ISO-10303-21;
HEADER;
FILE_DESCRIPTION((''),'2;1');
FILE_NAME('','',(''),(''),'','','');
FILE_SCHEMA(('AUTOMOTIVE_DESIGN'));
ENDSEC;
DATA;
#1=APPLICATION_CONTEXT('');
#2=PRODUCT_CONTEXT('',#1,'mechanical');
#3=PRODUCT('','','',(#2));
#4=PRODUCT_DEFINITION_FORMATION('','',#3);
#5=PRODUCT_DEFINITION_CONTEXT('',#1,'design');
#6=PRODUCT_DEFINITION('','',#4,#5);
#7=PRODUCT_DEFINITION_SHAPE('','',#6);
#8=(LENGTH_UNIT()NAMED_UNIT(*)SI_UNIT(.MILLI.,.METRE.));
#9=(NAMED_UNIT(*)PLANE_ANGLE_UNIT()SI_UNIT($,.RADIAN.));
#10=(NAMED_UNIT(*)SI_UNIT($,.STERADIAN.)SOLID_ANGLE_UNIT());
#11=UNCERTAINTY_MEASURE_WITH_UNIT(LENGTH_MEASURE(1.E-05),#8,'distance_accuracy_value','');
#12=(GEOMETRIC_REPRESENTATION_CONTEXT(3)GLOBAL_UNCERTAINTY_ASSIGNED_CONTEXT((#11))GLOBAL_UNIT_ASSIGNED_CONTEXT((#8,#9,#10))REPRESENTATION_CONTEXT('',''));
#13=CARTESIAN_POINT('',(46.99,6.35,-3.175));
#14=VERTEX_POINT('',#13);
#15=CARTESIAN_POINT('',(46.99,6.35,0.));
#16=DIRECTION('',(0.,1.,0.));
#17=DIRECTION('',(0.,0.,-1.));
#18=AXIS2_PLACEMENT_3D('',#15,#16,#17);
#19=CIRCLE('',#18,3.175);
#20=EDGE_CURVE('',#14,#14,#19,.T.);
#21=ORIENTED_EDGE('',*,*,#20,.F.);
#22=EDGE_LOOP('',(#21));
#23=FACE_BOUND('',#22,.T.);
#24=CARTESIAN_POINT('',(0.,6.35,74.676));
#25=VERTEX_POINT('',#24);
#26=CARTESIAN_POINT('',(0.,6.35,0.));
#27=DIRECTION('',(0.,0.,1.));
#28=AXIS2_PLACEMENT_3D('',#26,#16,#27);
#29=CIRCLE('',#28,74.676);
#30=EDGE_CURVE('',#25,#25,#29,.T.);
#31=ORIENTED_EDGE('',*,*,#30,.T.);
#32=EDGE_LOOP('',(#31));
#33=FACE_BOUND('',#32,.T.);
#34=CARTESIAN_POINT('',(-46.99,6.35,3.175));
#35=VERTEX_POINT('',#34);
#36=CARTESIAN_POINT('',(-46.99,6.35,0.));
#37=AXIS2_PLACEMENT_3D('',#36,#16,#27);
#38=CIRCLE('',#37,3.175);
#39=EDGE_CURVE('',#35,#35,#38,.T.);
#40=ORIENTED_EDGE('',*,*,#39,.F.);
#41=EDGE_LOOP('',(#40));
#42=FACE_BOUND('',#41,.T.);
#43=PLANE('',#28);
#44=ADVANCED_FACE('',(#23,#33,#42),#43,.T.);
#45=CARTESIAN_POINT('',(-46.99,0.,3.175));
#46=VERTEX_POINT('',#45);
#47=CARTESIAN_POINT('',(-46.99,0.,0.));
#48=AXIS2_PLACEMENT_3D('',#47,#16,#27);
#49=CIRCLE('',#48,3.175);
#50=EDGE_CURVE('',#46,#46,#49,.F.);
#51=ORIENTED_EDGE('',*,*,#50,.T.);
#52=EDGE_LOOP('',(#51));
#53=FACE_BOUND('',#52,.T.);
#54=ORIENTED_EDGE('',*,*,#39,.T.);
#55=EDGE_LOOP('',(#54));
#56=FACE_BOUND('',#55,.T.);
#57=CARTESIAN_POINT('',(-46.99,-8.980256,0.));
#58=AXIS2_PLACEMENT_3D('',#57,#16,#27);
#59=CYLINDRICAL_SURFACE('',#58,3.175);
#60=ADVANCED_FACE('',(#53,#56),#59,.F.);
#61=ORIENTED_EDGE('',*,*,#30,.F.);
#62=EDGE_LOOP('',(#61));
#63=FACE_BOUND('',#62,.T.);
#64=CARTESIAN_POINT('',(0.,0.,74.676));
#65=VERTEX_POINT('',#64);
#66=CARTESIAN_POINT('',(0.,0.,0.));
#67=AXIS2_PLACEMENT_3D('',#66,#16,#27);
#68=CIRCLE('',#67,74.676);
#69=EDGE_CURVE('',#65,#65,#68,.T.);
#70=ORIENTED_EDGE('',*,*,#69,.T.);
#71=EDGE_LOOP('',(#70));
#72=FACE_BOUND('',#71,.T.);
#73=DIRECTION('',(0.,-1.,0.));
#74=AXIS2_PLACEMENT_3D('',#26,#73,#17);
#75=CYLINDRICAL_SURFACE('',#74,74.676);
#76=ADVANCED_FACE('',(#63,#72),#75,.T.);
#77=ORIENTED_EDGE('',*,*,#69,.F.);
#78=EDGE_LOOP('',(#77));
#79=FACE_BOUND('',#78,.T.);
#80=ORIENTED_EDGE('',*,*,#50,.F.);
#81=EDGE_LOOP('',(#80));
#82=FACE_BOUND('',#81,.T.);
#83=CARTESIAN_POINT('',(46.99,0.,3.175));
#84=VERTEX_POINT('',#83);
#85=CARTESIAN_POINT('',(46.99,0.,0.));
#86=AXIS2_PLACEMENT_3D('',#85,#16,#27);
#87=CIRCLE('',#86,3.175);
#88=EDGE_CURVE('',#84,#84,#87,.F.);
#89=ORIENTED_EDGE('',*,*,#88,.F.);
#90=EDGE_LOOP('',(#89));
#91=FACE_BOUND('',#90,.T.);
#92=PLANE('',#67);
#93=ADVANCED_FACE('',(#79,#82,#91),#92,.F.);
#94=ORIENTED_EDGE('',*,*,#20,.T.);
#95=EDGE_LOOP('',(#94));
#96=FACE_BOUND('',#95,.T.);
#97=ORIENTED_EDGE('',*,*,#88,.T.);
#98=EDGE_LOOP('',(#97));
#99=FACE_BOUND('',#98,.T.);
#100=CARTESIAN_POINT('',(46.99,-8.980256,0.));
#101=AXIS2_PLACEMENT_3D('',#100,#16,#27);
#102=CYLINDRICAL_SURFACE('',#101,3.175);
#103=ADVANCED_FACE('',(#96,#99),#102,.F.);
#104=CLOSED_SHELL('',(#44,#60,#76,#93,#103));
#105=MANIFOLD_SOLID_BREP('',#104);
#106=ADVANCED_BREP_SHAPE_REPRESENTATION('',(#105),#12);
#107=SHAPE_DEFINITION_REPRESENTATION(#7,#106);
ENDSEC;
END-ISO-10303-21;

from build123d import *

# Parameters (mm, degrees)
SKETCH1_R           = 74.676
BOSS_EXTRUDE1_DEPTH = 6.35
SKETCH3_R           = 3.175
F_1_4_HOLES_DEPTH   = 6.35


with BuildPart() as part:
    # Sketch1 → Boss-Extrude1 (new body)
    with BuildSketch(Plane(origin=(0, 0, 0), x_dir=(1, 0, 0), z_dir=(0, 1, 0))):
        Circle(SKETCH1_R)
    extrude(amount=BOSS_EXTRUDE1_DEPTH)

    # Sketch3 → 1/4 Holes (cut)
    with BuildSketch(Plane(origin=(0, 6.35, 0), x_dir=(1, 0, 0), z_dir=(0, 1, 0))):
        with Locations((-46.99, 0)):
            Circle(SKETCH3_R)
        with Locations((46.99, 0)):
            Circle(SKETCH3_R)
    extrude(amount=-F_1_4_HOLES_DEPTH, mode=Mode.SUBTRACT)


solid = part.part
